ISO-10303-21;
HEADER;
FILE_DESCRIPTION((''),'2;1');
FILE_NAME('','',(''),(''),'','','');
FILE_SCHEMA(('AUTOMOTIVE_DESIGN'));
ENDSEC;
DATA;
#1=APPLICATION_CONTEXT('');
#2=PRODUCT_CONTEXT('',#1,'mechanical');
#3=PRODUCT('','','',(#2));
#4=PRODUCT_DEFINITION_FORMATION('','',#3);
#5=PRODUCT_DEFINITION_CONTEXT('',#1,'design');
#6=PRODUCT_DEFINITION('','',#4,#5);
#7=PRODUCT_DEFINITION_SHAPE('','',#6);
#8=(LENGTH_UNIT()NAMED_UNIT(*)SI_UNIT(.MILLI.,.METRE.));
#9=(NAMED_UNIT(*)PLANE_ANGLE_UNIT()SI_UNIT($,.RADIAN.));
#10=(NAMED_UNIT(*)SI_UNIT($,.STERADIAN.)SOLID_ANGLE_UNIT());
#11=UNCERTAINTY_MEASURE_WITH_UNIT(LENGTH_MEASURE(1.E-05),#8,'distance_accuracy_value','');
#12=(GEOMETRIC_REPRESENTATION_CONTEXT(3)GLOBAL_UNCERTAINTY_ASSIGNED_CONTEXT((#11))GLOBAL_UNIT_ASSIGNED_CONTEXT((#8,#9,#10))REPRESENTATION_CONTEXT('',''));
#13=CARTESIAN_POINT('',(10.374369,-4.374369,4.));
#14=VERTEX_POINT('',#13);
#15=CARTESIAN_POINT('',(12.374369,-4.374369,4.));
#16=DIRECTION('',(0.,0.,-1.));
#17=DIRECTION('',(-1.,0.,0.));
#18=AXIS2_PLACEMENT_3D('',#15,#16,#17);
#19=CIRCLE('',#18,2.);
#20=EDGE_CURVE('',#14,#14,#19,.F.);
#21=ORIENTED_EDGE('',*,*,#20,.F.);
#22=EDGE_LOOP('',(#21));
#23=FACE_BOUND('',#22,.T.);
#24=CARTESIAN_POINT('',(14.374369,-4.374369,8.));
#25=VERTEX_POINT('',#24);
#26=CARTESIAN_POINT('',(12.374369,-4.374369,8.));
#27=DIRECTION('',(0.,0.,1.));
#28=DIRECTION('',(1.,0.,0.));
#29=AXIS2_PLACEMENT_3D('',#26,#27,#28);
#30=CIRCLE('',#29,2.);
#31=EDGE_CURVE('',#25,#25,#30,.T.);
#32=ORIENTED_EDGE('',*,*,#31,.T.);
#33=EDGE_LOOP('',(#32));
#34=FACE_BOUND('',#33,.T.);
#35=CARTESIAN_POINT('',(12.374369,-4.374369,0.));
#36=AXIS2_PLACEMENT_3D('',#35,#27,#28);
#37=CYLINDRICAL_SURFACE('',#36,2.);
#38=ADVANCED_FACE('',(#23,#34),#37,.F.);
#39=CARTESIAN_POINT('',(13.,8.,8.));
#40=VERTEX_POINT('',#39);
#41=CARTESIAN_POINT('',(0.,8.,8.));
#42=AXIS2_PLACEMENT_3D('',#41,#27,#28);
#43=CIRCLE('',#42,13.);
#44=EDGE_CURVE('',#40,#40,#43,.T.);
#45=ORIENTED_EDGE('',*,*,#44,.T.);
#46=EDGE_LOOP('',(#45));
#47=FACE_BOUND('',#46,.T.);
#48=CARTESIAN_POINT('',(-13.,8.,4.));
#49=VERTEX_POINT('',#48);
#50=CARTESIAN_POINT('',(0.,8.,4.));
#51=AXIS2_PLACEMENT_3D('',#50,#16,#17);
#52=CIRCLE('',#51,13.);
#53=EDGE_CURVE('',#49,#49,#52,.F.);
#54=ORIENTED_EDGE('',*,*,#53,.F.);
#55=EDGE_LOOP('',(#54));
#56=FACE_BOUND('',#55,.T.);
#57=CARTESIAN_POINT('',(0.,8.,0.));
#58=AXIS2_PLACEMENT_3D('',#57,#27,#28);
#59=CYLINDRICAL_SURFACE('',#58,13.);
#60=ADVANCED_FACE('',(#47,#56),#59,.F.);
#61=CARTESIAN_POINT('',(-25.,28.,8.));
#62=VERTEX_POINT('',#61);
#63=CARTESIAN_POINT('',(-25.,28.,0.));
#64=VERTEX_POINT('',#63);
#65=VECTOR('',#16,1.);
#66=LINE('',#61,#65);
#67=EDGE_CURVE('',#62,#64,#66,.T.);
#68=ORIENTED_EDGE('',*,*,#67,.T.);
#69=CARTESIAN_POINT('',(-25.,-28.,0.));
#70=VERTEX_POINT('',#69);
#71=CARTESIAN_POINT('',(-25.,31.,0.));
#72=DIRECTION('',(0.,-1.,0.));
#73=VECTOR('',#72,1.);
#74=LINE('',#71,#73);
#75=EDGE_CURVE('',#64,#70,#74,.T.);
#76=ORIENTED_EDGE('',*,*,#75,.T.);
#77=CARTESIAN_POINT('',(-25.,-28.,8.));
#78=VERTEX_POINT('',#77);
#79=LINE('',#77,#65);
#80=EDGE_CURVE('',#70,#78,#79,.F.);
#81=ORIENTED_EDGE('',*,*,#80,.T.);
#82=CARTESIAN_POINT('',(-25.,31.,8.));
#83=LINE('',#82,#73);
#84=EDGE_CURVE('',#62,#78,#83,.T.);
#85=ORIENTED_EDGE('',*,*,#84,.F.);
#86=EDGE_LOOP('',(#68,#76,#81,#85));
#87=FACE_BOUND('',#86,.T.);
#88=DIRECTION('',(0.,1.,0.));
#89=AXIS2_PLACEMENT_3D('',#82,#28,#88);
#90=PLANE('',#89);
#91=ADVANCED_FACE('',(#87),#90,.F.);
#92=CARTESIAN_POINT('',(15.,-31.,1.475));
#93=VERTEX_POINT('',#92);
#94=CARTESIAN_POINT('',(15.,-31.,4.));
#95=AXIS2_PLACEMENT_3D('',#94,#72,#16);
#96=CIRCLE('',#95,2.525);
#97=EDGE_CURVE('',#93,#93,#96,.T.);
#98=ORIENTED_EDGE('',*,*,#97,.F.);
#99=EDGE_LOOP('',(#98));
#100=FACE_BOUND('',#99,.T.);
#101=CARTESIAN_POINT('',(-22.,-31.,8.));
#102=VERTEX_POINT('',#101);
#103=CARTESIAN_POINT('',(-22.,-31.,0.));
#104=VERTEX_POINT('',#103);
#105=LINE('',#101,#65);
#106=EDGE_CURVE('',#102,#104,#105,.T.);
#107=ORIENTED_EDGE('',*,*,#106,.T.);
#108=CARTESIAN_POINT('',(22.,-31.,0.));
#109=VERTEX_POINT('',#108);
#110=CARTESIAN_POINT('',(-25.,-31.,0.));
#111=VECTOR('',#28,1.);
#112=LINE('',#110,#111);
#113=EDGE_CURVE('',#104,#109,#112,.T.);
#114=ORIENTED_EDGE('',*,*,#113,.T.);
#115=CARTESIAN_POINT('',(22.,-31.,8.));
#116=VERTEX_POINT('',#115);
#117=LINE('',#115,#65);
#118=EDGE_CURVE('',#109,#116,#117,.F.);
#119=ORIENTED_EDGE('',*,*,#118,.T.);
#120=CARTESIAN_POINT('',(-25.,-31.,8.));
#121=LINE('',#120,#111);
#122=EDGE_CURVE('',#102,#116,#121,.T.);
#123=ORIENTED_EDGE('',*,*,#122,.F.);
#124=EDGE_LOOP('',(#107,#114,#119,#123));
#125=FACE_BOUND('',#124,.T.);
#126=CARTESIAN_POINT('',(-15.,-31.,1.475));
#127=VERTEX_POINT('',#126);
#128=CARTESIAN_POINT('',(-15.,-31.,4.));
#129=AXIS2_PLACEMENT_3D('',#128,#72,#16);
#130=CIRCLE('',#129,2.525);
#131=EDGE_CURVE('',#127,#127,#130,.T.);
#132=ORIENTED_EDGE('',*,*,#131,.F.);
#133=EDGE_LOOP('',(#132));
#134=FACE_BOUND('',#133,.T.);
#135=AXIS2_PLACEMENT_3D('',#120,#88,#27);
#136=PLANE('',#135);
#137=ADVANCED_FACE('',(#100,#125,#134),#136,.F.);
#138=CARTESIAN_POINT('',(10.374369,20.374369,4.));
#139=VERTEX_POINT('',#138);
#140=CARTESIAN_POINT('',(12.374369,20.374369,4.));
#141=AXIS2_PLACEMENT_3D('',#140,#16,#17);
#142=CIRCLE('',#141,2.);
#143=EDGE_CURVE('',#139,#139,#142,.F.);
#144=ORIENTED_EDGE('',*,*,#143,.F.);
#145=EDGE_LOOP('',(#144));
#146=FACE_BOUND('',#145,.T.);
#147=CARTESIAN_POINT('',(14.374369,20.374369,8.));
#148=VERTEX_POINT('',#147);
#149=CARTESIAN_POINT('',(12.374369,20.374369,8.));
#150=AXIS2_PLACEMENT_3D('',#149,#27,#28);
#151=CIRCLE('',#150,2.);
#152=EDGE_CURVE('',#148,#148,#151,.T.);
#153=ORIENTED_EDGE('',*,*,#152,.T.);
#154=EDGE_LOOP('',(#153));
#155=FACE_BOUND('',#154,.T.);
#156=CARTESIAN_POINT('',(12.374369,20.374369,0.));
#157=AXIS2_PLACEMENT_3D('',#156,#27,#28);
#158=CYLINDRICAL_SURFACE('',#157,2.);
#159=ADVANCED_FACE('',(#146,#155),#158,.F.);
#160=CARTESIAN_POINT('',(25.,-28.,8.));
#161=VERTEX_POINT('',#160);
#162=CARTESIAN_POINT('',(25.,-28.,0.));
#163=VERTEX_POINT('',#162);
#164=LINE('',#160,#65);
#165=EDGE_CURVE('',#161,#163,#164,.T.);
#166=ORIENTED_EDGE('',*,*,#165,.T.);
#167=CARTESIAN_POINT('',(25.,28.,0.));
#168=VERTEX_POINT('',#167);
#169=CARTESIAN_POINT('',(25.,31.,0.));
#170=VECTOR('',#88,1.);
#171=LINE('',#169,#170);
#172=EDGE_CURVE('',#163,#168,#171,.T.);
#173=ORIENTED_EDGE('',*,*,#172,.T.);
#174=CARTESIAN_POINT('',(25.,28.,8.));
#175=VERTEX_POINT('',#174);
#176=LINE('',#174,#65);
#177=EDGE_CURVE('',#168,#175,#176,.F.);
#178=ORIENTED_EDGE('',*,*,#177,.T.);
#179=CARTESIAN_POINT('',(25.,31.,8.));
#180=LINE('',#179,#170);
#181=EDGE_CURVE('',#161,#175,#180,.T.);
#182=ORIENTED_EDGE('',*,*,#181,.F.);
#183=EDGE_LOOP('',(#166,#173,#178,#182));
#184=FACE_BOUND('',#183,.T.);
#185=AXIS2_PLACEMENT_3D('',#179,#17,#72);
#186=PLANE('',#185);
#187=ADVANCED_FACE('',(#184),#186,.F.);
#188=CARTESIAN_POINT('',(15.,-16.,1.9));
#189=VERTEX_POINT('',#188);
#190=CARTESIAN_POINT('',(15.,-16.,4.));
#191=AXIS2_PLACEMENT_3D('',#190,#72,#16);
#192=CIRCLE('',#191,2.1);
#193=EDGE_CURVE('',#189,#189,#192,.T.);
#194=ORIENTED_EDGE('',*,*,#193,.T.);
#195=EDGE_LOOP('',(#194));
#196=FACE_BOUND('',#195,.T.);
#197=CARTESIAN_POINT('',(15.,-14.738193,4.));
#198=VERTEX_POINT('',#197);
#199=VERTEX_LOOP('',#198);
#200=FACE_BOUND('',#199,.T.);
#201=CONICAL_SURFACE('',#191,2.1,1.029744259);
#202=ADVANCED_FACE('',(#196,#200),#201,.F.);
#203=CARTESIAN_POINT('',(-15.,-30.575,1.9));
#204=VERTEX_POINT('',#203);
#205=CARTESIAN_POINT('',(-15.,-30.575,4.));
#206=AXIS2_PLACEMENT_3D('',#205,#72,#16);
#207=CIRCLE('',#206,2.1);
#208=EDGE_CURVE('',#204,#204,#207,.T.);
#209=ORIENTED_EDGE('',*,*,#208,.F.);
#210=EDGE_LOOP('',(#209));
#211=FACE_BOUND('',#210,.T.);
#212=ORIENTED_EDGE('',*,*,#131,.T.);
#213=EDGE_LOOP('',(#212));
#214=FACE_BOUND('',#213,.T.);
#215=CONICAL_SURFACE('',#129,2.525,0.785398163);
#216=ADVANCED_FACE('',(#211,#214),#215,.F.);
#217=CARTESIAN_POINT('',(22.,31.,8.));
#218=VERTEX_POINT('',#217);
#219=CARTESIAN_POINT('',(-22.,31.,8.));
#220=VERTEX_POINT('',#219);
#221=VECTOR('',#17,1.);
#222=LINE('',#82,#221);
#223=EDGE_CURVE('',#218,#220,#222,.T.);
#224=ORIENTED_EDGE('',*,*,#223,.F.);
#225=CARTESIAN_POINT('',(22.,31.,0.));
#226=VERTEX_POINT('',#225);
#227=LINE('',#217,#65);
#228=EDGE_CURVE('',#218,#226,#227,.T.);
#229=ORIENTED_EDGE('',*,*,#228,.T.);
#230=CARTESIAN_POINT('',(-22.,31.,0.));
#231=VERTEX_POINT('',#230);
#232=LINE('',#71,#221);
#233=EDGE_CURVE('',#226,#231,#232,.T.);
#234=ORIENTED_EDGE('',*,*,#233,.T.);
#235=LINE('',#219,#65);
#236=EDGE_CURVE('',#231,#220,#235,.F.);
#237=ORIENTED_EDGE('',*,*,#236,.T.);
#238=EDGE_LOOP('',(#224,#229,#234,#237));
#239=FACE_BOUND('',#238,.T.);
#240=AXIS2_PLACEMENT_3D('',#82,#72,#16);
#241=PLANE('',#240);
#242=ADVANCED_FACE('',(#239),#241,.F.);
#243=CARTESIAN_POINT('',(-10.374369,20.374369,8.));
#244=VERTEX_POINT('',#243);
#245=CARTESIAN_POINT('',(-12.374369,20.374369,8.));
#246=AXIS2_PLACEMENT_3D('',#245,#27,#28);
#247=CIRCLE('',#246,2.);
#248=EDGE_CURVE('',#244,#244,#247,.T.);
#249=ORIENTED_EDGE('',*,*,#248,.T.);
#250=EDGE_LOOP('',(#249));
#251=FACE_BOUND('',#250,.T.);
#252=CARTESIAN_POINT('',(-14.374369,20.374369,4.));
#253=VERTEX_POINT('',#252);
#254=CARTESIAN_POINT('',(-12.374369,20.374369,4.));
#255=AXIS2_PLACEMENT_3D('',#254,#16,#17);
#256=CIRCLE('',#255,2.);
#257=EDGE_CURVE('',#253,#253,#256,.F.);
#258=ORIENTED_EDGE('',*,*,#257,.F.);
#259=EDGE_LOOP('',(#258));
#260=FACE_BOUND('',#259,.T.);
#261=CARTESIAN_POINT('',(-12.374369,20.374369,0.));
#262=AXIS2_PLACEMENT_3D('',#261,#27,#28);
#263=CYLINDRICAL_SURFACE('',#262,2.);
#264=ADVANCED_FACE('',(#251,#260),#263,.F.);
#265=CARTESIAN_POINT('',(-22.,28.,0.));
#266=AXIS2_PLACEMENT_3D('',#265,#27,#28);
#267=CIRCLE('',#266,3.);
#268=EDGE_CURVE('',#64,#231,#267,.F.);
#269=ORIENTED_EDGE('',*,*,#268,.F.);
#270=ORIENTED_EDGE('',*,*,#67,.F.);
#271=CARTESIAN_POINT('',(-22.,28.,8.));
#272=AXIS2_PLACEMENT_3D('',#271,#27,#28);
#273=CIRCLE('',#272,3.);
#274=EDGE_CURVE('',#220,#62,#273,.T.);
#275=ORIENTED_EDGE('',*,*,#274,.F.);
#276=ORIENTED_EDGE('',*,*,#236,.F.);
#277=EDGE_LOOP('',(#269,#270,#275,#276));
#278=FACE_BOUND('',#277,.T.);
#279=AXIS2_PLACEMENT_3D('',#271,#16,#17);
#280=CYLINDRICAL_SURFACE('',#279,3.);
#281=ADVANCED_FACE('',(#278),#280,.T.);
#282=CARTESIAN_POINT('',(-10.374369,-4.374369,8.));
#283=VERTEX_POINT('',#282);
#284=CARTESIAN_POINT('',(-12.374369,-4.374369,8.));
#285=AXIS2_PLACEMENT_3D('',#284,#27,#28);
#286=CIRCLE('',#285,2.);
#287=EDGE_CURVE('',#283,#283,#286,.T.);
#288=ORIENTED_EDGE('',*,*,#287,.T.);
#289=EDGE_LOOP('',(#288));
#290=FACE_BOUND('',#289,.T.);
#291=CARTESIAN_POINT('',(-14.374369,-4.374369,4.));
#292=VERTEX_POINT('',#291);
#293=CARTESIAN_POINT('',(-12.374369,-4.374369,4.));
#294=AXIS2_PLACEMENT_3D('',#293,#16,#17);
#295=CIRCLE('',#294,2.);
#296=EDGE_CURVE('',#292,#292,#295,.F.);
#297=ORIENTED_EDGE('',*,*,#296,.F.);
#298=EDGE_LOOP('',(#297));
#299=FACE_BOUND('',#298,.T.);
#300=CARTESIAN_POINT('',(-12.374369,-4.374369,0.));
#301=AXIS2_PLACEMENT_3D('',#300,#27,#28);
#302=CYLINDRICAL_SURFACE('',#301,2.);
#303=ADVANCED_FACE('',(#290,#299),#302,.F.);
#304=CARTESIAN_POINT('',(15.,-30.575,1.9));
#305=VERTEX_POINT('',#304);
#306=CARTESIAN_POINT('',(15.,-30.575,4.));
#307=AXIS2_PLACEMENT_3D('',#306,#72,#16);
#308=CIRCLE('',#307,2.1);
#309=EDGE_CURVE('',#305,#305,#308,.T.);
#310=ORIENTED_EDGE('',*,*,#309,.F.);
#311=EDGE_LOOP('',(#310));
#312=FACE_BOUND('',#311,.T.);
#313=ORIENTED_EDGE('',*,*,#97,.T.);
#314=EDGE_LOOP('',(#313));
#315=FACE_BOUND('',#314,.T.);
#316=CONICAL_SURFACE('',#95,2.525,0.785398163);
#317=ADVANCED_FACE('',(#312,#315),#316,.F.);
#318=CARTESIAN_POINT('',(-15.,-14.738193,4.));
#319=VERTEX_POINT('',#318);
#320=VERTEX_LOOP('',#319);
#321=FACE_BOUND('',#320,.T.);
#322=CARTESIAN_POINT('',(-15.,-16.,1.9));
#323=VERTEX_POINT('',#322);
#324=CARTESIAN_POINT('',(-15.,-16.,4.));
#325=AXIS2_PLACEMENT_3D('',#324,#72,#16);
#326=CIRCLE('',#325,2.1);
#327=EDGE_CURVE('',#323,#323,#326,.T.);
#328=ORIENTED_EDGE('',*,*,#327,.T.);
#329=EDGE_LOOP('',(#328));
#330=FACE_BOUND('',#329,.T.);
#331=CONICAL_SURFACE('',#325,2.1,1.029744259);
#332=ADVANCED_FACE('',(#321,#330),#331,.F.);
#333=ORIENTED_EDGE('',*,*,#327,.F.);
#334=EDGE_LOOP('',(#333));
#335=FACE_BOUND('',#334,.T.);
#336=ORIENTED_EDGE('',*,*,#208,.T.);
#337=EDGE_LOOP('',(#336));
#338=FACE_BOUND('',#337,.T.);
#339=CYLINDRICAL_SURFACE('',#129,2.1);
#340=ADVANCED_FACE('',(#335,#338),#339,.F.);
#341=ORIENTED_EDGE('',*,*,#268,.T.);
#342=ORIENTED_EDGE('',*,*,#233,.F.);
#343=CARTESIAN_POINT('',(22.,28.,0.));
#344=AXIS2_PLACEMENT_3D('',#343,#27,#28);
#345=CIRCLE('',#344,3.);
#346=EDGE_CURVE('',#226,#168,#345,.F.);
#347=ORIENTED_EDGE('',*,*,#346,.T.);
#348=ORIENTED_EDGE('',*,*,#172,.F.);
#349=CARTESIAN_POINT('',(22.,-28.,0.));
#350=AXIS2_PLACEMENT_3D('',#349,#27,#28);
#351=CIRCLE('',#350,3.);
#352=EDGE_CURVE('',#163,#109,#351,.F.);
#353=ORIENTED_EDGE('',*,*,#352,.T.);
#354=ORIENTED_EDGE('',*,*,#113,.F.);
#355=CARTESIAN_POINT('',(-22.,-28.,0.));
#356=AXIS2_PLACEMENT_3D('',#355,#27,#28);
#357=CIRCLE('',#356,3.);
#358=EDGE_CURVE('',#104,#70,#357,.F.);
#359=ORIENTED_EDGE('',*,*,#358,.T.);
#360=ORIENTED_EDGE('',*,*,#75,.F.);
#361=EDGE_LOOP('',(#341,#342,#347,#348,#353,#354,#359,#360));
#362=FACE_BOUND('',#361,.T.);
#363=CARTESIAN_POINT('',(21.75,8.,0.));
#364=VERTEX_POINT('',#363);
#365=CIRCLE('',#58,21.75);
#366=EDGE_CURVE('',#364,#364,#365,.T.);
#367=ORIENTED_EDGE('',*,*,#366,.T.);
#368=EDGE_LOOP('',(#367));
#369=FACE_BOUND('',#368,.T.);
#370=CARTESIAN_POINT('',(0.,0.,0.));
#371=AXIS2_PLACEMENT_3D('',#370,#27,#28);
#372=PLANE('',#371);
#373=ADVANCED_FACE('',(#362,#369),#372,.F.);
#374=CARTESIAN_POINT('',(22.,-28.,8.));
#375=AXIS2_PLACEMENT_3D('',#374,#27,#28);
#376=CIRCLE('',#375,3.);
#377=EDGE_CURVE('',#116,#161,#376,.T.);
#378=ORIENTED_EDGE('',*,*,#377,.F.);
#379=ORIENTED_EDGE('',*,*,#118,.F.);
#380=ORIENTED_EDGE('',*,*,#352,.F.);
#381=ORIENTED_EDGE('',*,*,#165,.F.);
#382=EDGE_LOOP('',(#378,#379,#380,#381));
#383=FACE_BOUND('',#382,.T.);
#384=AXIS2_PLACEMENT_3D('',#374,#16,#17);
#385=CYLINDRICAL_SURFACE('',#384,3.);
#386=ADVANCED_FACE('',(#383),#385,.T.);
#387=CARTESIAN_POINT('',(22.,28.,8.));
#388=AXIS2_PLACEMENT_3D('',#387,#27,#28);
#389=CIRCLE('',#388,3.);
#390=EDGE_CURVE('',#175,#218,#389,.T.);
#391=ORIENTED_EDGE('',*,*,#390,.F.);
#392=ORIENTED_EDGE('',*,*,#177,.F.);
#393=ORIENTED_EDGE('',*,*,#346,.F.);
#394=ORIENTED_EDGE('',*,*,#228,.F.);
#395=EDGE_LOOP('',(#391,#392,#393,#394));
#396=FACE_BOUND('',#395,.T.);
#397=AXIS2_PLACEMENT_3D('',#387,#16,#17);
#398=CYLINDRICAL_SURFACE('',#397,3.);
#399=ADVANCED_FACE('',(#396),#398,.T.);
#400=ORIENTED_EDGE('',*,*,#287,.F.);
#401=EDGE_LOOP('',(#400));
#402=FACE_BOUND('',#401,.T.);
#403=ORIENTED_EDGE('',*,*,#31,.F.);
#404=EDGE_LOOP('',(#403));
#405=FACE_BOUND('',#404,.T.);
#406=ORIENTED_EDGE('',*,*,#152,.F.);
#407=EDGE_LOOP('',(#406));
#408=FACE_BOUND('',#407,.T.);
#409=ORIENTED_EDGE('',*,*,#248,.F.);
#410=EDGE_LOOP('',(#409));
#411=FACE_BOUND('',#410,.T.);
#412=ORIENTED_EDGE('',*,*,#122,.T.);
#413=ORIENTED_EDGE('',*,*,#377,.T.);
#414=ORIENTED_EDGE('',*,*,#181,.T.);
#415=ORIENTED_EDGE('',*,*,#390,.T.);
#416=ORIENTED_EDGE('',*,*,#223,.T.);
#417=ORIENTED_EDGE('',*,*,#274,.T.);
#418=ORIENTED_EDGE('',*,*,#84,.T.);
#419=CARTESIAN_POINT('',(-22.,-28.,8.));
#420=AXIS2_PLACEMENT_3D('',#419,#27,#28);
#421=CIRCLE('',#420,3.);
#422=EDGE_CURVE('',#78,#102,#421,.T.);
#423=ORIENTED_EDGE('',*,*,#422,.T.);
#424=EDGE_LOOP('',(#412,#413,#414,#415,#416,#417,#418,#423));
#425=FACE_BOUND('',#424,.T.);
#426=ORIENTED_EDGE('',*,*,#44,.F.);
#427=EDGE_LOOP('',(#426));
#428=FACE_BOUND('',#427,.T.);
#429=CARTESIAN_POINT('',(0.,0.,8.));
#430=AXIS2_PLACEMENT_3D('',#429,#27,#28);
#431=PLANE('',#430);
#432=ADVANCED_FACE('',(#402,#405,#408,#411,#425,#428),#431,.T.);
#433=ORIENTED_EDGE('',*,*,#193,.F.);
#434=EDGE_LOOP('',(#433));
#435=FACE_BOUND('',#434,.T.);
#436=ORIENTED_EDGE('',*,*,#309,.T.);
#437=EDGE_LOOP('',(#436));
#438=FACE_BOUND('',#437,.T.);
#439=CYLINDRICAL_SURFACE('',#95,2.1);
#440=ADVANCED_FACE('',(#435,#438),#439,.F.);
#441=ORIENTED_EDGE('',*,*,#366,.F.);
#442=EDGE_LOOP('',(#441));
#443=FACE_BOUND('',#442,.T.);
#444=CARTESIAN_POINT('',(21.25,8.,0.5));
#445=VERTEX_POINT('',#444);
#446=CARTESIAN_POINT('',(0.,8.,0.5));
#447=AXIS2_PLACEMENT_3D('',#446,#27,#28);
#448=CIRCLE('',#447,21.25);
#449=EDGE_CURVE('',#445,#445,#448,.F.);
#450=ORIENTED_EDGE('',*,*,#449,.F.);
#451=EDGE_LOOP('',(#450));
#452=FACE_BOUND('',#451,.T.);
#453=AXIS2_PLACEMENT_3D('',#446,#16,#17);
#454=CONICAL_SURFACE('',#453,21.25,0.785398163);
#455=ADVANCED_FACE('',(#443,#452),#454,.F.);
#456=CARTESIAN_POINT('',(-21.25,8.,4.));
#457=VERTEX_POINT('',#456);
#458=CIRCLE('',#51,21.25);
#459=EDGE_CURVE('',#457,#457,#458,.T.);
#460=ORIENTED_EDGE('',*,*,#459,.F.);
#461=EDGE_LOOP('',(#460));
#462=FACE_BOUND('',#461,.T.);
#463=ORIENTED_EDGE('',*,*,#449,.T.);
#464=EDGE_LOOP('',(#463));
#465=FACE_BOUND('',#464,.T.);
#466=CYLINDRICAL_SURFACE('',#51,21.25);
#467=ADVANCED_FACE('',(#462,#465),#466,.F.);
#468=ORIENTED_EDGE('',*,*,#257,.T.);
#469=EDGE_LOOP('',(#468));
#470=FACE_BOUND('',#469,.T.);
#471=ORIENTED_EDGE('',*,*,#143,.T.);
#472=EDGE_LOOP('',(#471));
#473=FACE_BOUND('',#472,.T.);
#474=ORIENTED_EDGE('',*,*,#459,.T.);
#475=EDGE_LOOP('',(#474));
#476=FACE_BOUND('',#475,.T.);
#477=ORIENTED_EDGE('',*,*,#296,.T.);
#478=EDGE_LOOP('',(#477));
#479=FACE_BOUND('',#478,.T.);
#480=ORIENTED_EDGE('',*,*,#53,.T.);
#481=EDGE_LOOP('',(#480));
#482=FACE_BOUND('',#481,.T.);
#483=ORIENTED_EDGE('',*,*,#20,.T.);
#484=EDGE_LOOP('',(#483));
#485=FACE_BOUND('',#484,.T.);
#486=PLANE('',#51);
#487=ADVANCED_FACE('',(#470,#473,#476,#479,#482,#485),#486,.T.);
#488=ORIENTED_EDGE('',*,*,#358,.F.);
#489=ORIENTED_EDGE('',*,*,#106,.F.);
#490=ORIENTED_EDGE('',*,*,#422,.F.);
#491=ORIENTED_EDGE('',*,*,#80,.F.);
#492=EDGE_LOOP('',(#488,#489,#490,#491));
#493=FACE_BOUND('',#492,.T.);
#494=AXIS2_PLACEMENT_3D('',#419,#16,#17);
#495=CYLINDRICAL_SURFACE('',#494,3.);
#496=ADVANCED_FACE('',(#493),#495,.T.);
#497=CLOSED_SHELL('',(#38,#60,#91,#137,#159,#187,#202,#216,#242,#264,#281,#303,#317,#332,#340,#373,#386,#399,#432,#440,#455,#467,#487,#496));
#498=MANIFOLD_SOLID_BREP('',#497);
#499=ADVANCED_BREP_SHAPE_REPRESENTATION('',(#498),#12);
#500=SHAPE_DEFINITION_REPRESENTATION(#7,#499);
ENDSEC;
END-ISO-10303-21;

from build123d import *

# Parameters (mm, degrees)
SKETCH_1_W                   = 50
SKETCH_1_H                   = 62
EXTRUDE_1_DEPTH              = 8
SKETCH_2_R                   = 13
SKETCH_2_R_2                 = 2
CUT_EXTRUDE_1_DEPTH          = 41.620192023
HOLE_WIZARD_M5_1_D           = 4.2
HOLE_WIZARD_M5_1_DEPTH       = 15
HOLE_WIZARD_M5_1_CSINK_D     = 5.05
HOLE_WIZARD_M5_1_CSINK_ANGLE = 90
HOLE_WIZARD_M5_1_TIP         = 1.2618073
FILLET_1_R                   = 3
SKETCH_6_R                   = 21.25
CUT_EXTRUDE_2_DEPTH          = 4
CHAMFER_1_SIZE               = 0.5


with BuildPart() as part:
    # 草图1 → 凸台-拉伸1 (new body)
    with BuildSketch(Plane.XY):
        Rectangle(SKETCH_1_W, SKETCH_1_H)
    extrude(amount=EXTRUDE_1_DEPTH)

    # 草图2 → 切除-拉伸1 (cut, through all)
    with BuildSketch(Plane.XY.offset(8)):
        with Locations((0, 8)):
            Circle(SKETCH_2_R)
        with Locations((12.374368671, 20.374368671)):
            Circle(SKETCH_2_R_2)
        with Locations((12.374368671, -4.374368671)):
            Circle(SKETCH_2_R_2)
        with Locations((-12.374368671, -4.374368671)):
            Circle(SKETCH_2_R_2)
        with Locations((-12.374368671, 20.374368671)):
            Circle(SKETCH_2_R_2)
    extrude(amount=-CUT_EXTRUDE_1_DEPTH, mode=Mode.SUBTRACT)

    # M5 螺纹孔1
    with Locations(Plane(origin=(-15, -31, 4), x_dir=(0, 0, -1), z_dir=(0, -1, 0))):
        with Locations((0, 0), (0, 30)):
            CounterSinkHole(HOLE_WIZARD_M5_1_D / 2, HOLE_WIZARD_M5_1_CSINK_D / 2, depth=HOLE_WIZARD_M5_1_DEPTH, counter_sink_angle=HOLE_WIZARD_M5_1_CSINK_ANGLE)
            with Locations((0, 0, -(HOLE_WIZARD_M5_1_DEPTH + HOLE_WIZARD_M5_1_TIP / 2))):  # 118° drill point
                Cone(0, HOLE_WIZARD_M5_1_D / 2, HOLE_WIZARD_M5_1_TIP, mode=Mode.SUBTRACT)

    # 圆角1
    fillet_1_edges = [part.edges().sort_by_distance(p)[0] for p in [
        (25, -31, 4),
        (-25, -31, 4),
        (-25, 31, 4),
        (25, 31, 4),
    ]]
    fillet(fillet_1_edges, radius=FILLET_1_R)

    # 草图6 → 切除-拉伸2 (cut)
    with BuildSketch(Plane(origin=(0, 0, 0), x_dir=(-1, 0, 0), z_dir=(0, 0, -1))):
        with Locations((0, 8)):
            Circle(SKETCH_6_R)
    extrude(amount=-CUT_EXTRUDE_2_DEPTH, mode=Mode.SUBTRACT)

    # 倒角1
    chamfer_1_edges = [part.edges().sort_by_distance(p)[0] for p in [
        (21.25, 8, 0),
    ]]
    chamfer(chamfer_1_edges, length=CHAMFER_1_SIZE)


solid = part.part
